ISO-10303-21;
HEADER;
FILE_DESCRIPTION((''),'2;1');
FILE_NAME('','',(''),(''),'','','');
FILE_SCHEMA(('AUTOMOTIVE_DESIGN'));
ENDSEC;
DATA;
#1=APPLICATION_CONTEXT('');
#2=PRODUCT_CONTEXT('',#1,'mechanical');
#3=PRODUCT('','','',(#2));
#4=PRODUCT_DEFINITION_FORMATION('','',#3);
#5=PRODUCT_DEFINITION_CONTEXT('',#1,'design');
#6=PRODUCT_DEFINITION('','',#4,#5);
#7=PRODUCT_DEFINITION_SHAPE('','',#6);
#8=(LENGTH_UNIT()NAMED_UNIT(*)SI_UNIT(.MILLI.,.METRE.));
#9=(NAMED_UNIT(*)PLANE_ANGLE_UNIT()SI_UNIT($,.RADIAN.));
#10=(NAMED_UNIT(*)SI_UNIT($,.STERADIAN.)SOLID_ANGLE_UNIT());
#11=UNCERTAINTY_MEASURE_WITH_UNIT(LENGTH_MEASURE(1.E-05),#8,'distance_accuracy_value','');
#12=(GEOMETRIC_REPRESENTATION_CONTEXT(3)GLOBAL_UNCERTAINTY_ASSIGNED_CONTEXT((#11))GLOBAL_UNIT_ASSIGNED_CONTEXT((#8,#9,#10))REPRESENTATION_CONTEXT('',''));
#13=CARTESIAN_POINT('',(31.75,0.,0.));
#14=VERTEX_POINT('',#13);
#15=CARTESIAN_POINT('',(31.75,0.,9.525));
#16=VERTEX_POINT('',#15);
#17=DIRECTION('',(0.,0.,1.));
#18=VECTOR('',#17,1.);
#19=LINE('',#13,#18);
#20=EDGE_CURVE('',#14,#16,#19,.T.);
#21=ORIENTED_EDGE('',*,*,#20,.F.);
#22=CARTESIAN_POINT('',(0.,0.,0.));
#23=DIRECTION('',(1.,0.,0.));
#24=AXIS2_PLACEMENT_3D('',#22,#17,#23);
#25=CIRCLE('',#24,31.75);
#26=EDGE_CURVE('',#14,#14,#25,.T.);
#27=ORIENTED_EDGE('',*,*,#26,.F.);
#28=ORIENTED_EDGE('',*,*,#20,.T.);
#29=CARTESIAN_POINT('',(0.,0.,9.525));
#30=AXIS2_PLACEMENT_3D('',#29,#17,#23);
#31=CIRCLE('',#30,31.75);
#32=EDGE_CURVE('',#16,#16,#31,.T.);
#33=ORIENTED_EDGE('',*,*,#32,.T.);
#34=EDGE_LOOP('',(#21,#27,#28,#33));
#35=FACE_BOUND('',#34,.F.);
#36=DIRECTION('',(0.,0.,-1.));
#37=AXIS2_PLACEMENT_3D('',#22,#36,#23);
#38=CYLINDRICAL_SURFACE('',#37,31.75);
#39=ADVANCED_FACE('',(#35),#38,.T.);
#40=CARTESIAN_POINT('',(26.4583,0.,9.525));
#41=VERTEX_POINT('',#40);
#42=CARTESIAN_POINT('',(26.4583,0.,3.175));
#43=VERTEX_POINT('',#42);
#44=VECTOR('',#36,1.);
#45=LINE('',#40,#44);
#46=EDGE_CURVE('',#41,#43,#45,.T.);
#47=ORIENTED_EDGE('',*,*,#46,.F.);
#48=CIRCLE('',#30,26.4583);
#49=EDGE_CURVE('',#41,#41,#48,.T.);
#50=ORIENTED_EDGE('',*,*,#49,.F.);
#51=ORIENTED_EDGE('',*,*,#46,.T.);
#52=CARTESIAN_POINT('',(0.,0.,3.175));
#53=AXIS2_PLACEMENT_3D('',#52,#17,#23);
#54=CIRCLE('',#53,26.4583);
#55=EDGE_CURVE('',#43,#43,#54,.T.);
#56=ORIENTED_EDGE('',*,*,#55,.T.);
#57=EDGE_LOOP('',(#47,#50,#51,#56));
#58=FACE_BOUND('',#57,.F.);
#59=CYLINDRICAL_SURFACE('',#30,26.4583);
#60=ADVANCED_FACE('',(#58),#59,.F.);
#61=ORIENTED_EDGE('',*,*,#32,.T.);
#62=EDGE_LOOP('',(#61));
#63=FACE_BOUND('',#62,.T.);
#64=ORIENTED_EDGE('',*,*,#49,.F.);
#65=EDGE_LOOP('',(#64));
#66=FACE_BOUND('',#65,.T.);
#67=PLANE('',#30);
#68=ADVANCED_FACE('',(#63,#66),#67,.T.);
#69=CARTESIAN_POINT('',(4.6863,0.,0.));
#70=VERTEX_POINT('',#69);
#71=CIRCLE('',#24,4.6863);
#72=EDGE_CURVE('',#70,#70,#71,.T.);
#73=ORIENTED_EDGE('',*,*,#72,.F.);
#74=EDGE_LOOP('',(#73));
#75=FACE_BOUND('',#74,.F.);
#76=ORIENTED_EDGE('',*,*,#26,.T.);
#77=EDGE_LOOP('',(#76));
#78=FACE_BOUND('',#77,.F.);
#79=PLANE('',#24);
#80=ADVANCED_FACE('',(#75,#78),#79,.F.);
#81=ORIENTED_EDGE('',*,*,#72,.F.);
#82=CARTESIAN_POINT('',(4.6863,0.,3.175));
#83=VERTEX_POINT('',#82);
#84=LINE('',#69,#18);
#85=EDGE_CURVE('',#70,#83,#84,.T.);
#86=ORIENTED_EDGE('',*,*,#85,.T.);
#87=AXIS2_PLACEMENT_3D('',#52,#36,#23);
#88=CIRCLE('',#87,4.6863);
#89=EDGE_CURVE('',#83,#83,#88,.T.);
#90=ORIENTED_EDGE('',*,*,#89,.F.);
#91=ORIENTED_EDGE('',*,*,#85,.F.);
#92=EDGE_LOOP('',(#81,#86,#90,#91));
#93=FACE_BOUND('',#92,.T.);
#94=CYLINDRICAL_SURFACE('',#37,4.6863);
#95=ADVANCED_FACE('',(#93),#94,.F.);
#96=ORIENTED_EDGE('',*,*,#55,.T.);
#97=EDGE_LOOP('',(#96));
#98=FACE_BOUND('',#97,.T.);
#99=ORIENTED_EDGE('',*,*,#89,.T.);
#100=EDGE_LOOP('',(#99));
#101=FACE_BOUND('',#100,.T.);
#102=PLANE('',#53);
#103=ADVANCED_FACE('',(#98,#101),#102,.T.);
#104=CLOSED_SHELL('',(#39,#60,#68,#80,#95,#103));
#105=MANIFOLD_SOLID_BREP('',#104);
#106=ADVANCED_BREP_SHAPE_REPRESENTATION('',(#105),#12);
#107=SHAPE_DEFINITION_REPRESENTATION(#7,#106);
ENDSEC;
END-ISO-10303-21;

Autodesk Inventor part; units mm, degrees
ref_plane "YZ Plane" through (0, 0, 0) normal (1, 0, 0) x (0, 1, 0)
ref_plane "XZ Plane" through (0, 0, 0) normal (0, 1, 0) x (-1, 0, 0)
ref_plane "XY Plane" through (0, 0, 0) normal (0, 0, 1) x (1, 0, 0)
sketch "Sketch1" plane through (0, 0, 0) normal (0, 0, 1) x (1, 0, 0)
  circle A0 centre (0, 0) radius 31.75
  circle A1 centre (0, 0) radius 4.6863
  dimension "d6" = 9.3726
extrude "Extrusion1" add sketch "Sketch1" along normal blind 9.525
sketch "Sketch2" plane through (0, 0, 9.525) normal (0, 0, 1) x (1, 0, 0)
  circle A0 centre (0, 0) radius 26.4583
  dimension "d3" = 52.9166
extrude "Extrusion2" cut sketch "Sketch2" against normal blind 6.35
properties part number "gear_thinner"
